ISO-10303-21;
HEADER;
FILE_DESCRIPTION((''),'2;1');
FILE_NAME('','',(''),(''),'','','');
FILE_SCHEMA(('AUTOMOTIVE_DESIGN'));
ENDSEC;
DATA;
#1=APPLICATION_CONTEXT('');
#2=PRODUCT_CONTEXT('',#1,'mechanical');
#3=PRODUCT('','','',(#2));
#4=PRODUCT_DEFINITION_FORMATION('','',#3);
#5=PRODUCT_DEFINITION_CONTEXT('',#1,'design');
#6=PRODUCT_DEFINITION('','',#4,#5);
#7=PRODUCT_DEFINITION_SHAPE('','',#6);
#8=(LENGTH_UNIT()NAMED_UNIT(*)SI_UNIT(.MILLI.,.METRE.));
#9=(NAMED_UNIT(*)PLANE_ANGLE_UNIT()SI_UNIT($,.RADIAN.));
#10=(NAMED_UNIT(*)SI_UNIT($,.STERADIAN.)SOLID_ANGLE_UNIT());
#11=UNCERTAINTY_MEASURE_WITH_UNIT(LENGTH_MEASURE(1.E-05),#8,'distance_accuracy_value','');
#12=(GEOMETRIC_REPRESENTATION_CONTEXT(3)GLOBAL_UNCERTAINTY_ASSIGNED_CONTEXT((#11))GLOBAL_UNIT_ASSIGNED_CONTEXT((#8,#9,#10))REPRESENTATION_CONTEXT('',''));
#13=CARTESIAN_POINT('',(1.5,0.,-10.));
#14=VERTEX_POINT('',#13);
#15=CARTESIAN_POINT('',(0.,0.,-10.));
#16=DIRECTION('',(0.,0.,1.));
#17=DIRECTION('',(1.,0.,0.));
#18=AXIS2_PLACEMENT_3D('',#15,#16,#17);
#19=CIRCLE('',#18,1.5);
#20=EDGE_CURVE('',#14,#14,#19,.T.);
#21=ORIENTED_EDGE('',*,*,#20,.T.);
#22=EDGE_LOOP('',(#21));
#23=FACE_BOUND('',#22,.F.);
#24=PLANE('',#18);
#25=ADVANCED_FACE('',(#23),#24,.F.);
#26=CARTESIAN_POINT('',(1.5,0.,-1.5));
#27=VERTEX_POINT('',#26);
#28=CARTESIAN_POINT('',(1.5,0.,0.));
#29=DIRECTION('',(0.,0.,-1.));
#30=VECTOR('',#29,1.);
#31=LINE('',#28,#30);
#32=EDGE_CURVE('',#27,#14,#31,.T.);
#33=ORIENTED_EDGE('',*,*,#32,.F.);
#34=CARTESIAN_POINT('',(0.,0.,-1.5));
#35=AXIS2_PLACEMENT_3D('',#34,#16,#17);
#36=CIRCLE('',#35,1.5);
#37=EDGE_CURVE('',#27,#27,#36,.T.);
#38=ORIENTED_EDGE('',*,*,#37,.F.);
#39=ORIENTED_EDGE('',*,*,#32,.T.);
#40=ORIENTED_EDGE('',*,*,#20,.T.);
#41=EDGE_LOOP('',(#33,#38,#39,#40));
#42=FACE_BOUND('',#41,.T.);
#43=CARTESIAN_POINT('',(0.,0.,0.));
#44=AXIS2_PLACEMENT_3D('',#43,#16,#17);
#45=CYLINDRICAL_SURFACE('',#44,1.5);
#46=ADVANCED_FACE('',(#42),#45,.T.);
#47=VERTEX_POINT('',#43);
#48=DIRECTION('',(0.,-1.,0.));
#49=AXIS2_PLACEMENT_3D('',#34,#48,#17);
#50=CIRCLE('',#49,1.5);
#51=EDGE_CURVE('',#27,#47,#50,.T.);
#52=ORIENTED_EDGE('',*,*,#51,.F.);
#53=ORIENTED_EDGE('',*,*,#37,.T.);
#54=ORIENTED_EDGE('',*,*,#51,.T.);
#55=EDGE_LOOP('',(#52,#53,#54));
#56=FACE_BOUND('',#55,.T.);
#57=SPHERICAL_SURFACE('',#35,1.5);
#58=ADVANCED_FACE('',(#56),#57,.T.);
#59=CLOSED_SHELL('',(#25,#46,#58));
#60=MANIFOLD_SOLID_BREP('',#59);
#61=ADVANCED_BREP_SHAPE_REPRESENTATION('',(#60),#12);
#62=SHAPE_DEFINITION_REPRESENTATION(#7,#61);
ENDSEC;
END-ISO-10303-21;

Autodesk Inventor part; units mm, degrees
ref_plane "YZ Plane" through (0, 0, 0) normal (1, 0, 0) x (0, 1, 0)
ref_plane "XZ Plane" through (0, 0, 0) normal (0, 1, 0) x (-1, 0, 0)
ref_plane "XY Plane" through (0, 0, 0) normal (0, 0, 1) x (1, 0, 0)
sketch "Szkic1" plane through (0, 0, 0) normal (0, 0, 1) x (1, 0, 0)
  circle A0 centre (0, 0) radius 1.5
  dimension "d0" = 3
extrude "Wyciągnięcie proste1" add sketch "Szkic1" against normal blind 10
fillet "Zaokrąglenie1" radius 1.5 1 edges at (-1.5, 0, 0)
properties part number "Termopara"
